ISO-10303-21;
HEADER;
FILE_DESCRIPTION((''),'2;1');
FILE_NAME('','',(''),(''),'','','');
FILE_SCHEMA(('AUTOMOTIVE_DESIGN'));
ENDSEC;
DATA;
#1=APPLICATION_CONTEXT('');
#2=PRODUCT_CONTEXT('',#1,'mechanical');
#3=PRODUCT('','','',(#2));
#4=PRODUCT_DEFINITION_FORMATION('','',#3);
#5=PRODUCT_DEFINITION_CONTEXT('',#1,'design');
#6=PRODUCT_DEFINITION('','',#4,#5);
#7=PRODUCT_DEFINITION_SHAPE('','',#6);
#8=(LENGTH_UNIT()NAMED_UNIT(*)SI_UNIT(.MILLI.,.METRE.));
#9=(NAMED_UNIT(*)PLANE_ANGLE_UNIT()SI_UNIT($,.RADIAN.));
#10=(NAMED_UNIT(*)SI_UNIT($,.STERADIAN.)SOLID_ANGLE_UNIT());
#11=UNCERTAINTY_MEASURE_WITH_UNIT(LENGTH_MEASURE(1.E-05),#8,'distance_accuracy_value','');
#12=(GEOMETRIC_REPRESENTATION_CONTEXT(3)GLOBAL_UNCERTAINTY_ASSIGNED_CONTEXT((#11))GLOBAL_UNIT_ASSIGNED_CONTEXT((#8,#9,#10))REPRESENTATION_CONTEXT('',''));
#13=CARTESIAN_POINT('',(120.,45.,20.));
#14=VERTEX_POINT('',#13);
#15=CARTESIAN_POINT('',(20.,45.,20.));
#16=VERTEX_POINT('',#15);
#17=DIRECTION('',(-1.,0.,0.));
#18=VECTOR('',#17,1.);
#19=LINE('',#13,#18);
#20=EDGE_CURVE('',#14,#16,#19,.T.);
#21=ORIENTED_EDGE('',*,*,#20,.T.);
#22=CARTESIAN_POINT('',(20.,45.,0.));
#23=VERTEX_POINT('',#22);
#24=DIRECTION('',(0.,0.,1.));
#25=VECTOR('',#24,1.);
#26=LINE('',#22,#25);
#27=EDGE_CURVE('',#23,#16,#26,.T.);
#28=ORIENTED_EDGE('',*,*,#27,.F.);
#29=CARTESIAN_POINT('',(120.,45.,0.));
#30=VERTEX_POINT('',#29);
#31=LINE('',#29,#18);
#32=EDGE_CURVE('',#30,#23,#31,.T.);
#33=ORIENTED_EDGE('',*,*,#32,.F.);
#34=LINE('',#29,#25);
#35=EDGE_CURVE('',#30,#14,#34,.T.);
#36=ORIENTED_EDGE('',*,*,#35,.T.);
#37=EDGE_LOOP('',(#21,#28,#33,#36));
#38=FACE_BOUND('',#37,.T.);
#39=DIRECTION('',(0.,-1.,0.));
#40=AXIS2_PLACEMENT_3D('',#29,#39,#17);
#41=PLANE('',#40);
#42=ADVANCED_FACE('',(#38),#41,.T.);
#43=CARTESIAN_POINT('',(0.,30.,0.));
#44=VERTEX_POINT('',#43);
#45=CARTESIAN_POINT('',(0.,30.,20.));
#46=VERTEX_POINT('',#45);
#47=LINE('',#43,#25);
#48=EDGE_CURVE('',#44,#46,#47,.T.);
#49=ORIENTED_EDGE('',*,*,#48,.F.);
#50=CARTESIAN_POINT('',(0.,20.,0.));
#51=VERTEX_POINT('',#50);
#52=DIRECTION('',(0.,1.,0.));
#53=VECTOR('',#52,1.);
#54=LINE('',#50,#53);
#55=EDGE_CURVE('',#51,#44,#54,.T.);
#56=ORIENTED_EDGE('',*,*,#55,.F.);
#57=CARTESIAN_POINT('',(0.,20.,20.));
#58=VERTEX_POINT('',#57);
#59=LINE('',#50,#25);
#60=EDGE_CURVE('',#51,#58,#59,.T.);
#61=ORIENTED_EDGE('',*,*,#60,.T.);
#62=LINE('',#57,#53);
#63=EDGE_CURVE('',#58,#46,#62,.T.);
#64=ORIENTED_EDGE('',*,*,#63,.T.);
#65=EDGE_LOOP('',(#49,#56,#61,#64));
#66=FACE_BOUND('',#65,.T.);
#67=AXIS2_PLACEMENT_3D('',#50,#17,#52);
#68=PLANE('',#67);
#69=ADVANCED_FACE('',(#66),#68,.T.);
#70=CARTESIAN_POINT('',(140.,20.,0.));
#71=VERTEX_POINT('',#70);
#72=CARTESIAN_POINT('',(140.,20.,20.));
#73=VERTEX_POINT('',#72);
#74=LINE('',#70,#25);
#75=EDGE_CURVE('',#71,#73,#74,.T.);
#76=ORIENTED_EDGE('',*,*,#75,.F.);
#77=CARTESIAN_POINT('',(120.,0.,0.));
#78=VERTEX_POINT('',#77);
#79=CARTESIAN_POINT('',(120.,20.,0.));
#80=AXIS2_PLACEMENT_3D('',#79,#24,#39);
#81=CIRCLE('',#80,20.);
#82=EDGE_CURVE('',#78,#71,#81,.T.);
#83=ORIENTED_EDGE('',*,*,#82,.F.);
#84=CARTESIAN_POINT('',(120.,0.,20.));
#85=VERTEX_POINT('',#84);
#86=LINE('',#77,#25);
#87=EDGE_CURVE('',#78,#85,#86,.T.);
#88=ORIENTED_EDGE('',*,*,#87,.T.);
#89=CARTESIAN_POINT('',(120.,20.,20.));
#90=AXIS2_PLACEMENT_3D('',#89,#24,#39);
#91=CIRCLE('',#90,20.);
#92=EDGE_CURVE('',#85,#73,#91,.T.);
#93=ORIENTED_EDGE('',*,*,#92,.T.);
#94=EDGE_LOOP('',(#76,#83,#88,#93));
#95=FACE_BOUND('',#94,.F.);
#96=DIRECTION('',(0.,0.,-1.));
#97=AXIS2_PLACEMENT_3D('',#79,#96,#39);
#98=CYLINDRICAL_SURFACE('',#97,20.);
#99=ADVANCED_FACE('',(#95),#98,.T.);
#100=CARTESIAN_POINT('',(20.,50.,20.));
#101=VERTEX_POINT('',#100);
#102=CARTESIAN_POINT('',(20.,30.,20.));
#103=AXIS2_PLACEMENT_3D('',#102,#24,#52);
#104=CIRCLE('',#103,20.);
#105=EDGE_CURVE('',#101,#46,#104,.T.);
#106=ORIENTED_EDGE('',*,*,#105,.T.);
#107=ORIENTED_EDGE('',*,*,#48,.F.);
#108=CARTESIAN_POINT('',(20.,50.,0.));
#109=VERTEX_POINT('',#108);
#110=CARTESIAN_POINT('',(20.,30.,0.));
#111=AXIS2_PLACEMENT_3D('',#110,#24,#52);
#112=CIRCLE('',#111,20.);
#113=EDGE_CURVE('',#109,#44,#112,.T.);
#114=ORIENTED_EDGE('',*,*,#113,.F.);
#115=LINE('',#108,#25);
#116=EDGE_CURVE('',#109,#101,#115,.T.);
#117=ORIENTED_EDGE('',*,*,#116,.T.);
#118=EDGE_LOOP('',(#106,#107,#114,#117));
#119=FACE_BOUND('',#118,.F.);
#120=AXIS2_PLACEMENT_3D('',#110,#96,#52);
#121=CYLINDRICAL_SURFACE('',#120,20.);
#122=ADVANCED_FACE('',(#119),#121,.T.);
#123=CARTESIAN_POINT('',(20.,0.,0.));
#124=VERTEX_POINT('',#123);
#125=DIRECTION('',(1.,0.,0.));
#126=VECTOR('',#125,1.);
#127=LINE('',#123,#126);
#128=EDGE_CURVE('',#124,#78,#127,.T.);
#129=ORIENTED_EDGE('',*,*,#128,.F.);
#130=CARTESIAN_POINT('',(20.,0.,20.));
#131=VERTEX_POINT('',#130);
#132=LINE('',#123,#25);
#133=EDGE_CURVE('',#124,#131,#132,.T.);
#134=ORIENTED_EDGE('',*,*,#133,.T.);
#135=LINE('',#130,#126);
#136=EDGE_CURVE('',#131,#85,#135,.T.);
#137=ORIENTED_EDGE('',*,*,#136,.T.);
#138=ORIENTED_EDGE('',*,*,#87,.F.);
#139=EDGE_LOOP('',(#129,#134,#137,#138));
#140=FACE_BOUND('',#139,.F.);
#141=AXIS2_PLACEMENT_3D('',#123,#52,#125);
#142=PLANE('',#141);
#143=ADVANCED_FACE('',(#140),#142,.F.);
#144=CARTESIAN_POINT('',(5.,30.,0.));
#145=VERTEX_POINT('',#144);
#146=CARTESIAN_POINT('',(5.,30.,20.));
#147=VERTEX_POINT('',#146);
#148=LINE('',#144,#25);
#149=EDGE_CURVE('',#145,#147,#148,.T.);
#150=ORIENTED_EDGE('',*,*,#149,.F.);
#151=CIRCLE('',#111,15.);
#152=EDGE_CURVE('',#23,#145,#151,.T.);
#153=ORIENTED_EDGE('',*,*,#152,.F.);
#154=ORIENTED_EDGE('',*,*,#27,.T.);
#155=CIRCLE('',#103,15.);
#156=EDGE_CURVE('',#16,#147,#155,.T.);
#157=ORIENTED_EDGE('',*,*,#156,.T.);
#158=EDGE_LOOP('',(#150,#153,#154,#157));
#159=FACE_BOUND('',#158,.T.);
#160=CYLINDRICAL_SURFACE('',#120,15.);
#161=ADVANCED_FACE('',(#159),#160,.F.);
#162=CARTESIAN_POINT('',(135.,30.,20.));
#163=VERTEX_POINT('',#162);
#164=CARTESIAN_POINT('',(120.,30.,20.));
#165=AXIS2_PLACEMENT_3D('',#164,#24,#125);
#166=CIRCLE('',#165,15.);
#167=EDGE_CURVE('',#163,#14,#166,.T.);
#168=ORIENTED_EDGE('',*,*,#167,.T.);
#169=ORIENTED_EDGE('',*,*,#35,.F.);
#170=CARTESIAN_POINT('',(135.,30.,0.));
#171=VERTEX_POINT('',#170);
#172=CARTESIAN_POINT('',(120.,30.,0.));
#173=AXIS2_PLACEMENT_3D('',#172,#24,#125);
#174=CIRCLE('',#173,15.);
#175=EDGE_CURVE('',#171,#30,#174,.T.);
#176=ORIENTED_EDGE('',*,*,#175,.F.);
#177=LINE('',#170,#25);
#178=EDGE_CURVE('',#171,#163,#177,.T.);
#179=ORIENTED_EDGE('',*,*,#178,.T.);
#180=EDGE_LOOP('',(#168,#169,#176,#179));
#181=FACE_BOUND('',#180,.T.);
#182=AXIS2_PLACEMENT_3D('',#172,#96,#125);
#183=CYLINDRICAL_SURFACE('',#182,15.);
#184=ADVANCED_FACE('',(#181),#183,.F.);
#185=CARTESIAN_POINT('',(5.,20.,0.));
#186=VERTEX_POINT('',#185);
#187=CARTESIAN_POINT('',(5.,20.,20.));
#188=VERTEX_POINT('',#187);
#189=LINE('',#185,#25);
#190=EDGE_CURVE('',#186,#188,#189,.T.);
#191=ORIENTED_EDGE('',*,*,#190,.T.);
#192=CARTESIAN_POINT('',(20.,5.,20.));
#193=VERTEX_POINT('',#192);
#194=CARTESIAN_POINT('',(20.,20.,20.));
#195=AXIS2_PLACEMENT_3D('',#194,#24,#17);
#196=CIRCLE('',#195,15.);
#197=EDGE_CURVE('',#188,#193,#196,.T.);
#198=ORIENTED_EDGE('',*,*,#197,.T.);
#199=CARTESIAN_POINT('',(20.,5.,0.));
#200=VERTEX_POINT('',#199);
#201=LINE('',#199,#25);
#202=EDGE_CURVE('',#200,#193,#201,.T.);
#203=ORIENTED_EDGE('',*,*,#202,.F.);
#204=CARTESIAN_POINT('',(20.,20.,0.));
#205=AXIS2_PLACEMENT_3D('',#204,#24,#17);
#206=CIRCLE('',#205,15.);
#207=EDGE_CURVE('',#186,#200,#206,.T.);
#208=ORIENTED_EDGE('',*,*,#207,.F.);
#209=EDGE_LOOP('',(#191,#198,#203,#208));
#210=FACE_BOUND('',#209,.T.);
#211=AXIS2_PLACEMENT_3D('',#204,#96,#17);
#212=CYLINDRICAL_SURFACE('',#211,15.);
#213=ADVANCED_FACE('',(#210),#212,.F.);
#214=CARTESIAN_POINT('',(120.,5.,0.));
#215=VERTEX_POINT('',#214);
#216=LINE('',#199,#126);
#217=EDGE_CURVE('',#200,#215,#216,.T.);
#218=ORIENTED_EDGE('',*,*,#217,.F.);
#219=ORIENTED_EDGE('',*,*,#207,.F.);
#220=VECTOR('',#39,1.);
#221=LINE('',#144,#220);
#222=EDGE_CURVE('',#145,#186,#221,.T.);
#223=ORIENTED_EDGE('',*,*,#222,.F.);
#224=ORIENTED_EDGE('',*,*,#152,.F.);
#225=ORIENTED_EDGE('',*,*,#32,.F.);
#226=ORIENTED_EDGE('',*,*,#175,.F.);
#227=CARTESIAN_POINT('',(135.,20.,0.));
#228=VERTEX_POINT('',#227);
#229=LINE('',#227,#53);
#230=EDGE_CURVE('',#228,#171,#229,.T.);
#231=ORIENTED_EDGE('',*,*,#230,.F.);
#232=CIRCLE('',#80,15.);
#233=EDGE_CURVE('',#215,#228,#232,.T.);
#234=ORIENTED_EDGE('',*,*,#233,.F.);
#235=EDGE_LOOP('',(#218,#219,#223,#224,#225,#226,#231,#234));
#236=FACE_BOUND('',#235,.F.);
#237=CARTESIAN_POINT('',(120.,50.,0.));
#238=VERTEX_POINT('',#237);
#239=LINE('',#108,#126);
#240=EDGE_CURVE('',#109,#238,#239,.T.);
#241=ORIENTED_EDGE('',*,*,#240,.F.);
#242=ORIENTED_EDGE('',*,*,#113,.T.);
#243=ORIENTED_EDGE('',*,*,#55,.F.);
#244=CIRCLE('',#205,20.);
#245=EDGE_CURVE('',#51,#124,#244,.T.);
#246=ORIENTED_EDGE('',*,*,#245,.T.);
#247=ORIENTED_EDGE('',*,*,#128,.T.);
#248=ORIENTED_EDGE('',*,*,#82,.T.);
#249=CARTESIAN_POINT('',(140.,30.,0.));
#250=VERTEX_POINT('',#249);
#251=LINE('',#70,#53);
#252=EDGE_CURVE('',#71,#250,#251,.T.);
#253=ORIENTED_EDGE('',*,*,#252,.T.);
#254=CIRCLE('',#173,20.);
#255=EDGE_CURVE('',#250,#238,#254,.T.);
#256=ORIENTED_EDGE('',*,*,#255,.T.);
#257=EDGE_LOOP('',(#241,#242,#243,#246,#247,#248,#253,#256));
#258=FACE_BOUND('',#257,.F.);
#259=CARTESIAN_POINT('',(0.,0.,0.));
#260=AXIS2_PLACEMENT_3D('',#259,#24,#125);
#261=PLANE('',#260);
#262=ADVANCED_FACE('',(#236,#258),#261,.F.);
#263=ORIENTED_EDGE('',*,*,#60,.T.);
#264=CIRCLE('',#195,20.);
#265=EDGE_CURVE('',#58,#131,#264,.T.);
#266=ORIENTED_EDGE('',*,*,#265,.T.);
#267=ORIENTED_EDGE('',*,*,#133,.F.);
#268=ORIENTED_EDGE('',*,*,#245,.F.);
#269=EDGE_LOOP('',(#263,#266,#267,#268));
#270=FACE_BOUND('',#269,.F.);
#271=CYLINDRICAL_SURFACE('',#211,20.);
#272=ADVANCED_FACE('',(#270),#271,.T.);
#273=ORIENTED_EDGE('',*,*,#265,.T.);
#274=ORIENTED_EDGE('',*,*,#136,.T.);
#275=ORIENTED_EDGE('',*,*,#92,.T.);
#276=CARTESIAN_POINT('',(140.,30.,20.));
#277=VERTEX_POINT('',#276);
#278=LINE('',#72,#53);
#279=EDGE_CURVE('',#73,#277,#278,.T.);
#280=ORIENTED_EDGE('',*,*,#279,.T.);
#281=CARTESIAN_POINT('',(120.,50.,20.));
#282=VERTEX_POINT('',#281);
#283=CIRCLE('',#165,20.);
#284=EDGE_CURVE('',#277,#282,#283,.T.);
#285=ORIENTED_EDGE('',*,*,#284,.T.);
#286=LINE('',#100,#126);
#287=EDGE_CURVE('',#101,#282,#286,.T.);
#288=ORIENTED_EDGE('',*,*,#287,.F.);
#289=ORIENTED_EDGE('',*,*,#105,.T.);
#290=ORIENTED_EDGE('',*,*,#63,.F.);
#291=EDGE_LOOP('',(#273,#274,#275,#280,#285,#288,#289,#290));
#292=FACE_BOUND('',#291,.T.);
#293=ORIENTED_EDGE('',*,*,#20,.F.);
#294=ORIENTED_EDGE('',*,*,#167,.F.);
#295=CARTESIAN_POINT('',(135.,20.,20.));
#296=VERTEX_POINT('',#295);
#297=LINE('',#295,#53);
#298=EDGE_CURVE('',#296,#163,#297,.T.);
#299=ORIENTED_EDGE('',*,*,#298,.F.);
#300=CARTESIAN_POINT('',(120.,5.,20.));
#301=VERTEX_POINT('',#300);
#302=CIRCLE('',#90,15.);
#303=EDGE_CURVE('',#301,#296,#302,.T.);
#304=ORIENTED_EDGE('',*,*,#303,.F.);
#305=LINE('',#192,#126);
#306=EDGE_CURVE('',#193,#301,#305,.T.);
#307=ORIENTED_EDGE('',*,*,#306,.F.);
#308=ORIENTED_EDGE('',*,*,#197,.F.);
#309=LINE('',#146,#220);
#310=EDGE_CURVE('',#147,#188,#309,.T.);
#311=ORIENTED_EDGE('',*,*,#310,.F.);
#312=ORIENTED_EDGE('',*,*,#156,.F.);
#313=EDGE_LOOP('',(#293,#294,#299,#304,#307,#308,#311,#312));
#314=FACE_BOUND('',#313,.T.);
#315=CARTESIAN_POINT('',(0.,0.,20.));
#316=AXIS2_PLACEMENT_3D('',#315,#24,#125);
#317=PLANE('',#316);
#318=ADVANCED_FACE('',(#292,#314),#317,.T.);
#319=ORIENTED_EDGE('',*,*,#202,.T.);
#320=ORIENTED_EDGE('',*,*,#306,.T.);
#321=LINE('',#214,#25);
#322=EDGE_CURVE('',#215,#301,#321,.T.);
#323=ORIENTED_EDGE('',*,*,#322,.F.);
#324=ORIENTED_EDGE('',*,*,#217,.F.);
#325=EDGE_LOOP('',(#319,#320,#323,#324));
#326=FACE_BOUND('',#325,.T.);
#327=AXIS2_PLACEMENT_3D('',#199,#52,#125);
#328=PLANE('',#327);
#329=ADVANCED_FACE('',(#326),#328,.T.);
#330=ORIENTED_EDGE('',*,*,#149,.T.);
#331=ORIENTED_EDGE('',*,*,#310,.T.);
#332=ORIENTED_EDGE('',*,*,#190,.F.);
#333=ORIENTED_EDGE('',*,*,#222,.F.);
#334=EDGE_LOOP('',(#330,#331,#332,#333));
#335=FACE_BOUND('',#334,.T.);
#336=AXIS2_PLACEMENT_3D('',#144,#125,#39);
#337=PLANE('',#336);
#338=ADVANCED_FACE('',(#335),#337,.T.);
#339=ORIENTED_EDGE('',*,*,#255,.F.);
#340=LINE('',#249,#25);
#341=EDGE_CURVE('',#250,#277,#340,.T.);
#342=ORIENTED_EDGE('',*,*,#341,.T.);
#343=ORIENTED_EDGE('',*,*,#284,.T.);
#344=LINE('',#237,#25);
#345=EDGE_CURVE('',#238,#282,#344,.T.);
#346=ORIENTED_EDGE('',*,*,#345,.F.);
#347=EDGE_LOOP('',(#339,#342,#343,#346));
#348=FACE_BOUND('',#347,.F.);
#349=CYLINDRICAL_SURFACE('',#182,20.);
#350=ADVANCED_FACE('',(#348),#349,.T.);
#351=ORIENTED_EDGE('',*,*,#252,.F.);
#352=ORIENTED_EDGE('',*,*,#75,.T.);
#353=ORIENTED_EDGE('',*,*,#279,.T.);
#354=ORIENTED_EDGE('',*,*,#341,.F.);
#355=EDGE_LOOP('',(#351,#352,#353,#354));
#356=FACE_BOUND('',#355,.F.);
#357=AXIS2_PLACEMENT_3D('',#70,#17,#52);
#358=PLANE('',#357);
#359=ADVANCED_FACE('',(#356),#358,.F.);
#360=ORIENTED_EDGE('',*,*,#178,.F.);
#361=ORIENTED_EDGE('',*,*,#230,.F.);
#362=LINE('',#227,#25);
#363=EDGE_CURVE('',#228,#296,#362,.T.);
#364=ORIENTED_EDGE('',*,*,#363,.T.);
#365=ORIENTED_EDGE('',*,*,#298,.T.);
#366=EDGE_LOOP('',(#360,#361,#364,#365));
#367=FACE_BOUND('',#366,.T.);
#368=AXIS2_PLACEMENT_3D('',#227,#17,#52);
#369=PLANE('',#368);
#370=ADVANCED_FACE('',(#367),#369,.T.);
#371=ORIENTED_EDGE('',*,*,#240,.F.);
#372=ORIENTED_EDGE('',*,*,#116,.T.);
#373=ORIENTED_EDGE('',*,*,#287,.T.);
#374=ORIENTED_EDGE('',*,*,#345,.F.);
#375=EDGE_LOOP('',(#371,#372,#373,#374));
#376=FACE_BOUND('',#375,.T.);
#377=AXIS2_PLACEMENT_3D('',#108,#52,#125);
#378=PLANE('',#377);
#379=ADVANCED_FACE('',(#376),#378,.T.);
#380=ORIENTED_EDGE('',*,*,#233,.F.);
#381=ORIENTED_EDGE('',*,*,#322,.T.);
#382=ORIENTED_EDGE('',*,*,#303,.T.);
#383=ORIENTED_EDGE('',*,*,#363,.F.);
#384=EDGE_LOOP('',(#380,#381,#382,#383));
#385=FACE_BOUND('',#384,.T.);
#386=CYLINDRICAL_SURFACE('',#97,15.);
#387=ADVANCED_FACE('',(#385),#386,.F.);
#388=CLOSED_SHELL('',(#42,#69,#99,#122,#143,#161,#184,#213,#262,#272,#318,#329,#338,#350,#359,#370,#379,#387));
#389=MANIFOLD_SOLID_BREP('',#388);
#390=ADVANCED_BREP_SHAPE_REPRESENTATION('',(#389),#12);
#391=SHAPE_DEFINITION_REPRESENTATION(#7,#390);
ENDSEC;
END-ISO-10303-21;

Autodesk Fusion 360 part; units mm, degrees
sketch "Szkic1" plane through (0, 0, 0) normal (0, 0, 1) x (1, 0, 0)
  line L0 (20, 0) -> (120, 0)
  line L1 (140, 20) -> (140, 30)
  line L2 (0, 20) -> (0, 30)
  line L3 (20, 50) -> (120, 50)
  arc A0 (0, 20) -> (20, 0) centre (20, 20) ccw
  arc A1 (20, 50) -> (0, 30) centre (20, 30) ccw
  arc A2 (140, 30) -> (120, 50) centre (120, 30) ccw
  arc A3 (120, 0) -> (140, 20) centre (120, 20) ccw
  line L4 (20, 5) -> (120, 5)
  line L5 (135, 20) -> (135, 30)
  line L6 (120, 45) -> (20, 45)
  line L7 (5, 30) -> (5, 20)
  arc A4 (20, 45) -> (5, 30) centre (20, 30) ccw
  arc A5 (5, 20) -> (20, 5) centre (20, 20) ccw
  arc A6 (135, 30) -> (120, 45) centre (120, 30) ccw
  arc A7 (120, 5) -> (135, 20) centre (120, 20) ccw
  point P0 (140, 0)
  point P1 (140, 50)
  point P2 (135, 5)
  point P3 (135, 45)
  point P4 (5, 45)
extrude "Wyciągnięcie proste1" add sketch "Szkic1" along normal blind 20
